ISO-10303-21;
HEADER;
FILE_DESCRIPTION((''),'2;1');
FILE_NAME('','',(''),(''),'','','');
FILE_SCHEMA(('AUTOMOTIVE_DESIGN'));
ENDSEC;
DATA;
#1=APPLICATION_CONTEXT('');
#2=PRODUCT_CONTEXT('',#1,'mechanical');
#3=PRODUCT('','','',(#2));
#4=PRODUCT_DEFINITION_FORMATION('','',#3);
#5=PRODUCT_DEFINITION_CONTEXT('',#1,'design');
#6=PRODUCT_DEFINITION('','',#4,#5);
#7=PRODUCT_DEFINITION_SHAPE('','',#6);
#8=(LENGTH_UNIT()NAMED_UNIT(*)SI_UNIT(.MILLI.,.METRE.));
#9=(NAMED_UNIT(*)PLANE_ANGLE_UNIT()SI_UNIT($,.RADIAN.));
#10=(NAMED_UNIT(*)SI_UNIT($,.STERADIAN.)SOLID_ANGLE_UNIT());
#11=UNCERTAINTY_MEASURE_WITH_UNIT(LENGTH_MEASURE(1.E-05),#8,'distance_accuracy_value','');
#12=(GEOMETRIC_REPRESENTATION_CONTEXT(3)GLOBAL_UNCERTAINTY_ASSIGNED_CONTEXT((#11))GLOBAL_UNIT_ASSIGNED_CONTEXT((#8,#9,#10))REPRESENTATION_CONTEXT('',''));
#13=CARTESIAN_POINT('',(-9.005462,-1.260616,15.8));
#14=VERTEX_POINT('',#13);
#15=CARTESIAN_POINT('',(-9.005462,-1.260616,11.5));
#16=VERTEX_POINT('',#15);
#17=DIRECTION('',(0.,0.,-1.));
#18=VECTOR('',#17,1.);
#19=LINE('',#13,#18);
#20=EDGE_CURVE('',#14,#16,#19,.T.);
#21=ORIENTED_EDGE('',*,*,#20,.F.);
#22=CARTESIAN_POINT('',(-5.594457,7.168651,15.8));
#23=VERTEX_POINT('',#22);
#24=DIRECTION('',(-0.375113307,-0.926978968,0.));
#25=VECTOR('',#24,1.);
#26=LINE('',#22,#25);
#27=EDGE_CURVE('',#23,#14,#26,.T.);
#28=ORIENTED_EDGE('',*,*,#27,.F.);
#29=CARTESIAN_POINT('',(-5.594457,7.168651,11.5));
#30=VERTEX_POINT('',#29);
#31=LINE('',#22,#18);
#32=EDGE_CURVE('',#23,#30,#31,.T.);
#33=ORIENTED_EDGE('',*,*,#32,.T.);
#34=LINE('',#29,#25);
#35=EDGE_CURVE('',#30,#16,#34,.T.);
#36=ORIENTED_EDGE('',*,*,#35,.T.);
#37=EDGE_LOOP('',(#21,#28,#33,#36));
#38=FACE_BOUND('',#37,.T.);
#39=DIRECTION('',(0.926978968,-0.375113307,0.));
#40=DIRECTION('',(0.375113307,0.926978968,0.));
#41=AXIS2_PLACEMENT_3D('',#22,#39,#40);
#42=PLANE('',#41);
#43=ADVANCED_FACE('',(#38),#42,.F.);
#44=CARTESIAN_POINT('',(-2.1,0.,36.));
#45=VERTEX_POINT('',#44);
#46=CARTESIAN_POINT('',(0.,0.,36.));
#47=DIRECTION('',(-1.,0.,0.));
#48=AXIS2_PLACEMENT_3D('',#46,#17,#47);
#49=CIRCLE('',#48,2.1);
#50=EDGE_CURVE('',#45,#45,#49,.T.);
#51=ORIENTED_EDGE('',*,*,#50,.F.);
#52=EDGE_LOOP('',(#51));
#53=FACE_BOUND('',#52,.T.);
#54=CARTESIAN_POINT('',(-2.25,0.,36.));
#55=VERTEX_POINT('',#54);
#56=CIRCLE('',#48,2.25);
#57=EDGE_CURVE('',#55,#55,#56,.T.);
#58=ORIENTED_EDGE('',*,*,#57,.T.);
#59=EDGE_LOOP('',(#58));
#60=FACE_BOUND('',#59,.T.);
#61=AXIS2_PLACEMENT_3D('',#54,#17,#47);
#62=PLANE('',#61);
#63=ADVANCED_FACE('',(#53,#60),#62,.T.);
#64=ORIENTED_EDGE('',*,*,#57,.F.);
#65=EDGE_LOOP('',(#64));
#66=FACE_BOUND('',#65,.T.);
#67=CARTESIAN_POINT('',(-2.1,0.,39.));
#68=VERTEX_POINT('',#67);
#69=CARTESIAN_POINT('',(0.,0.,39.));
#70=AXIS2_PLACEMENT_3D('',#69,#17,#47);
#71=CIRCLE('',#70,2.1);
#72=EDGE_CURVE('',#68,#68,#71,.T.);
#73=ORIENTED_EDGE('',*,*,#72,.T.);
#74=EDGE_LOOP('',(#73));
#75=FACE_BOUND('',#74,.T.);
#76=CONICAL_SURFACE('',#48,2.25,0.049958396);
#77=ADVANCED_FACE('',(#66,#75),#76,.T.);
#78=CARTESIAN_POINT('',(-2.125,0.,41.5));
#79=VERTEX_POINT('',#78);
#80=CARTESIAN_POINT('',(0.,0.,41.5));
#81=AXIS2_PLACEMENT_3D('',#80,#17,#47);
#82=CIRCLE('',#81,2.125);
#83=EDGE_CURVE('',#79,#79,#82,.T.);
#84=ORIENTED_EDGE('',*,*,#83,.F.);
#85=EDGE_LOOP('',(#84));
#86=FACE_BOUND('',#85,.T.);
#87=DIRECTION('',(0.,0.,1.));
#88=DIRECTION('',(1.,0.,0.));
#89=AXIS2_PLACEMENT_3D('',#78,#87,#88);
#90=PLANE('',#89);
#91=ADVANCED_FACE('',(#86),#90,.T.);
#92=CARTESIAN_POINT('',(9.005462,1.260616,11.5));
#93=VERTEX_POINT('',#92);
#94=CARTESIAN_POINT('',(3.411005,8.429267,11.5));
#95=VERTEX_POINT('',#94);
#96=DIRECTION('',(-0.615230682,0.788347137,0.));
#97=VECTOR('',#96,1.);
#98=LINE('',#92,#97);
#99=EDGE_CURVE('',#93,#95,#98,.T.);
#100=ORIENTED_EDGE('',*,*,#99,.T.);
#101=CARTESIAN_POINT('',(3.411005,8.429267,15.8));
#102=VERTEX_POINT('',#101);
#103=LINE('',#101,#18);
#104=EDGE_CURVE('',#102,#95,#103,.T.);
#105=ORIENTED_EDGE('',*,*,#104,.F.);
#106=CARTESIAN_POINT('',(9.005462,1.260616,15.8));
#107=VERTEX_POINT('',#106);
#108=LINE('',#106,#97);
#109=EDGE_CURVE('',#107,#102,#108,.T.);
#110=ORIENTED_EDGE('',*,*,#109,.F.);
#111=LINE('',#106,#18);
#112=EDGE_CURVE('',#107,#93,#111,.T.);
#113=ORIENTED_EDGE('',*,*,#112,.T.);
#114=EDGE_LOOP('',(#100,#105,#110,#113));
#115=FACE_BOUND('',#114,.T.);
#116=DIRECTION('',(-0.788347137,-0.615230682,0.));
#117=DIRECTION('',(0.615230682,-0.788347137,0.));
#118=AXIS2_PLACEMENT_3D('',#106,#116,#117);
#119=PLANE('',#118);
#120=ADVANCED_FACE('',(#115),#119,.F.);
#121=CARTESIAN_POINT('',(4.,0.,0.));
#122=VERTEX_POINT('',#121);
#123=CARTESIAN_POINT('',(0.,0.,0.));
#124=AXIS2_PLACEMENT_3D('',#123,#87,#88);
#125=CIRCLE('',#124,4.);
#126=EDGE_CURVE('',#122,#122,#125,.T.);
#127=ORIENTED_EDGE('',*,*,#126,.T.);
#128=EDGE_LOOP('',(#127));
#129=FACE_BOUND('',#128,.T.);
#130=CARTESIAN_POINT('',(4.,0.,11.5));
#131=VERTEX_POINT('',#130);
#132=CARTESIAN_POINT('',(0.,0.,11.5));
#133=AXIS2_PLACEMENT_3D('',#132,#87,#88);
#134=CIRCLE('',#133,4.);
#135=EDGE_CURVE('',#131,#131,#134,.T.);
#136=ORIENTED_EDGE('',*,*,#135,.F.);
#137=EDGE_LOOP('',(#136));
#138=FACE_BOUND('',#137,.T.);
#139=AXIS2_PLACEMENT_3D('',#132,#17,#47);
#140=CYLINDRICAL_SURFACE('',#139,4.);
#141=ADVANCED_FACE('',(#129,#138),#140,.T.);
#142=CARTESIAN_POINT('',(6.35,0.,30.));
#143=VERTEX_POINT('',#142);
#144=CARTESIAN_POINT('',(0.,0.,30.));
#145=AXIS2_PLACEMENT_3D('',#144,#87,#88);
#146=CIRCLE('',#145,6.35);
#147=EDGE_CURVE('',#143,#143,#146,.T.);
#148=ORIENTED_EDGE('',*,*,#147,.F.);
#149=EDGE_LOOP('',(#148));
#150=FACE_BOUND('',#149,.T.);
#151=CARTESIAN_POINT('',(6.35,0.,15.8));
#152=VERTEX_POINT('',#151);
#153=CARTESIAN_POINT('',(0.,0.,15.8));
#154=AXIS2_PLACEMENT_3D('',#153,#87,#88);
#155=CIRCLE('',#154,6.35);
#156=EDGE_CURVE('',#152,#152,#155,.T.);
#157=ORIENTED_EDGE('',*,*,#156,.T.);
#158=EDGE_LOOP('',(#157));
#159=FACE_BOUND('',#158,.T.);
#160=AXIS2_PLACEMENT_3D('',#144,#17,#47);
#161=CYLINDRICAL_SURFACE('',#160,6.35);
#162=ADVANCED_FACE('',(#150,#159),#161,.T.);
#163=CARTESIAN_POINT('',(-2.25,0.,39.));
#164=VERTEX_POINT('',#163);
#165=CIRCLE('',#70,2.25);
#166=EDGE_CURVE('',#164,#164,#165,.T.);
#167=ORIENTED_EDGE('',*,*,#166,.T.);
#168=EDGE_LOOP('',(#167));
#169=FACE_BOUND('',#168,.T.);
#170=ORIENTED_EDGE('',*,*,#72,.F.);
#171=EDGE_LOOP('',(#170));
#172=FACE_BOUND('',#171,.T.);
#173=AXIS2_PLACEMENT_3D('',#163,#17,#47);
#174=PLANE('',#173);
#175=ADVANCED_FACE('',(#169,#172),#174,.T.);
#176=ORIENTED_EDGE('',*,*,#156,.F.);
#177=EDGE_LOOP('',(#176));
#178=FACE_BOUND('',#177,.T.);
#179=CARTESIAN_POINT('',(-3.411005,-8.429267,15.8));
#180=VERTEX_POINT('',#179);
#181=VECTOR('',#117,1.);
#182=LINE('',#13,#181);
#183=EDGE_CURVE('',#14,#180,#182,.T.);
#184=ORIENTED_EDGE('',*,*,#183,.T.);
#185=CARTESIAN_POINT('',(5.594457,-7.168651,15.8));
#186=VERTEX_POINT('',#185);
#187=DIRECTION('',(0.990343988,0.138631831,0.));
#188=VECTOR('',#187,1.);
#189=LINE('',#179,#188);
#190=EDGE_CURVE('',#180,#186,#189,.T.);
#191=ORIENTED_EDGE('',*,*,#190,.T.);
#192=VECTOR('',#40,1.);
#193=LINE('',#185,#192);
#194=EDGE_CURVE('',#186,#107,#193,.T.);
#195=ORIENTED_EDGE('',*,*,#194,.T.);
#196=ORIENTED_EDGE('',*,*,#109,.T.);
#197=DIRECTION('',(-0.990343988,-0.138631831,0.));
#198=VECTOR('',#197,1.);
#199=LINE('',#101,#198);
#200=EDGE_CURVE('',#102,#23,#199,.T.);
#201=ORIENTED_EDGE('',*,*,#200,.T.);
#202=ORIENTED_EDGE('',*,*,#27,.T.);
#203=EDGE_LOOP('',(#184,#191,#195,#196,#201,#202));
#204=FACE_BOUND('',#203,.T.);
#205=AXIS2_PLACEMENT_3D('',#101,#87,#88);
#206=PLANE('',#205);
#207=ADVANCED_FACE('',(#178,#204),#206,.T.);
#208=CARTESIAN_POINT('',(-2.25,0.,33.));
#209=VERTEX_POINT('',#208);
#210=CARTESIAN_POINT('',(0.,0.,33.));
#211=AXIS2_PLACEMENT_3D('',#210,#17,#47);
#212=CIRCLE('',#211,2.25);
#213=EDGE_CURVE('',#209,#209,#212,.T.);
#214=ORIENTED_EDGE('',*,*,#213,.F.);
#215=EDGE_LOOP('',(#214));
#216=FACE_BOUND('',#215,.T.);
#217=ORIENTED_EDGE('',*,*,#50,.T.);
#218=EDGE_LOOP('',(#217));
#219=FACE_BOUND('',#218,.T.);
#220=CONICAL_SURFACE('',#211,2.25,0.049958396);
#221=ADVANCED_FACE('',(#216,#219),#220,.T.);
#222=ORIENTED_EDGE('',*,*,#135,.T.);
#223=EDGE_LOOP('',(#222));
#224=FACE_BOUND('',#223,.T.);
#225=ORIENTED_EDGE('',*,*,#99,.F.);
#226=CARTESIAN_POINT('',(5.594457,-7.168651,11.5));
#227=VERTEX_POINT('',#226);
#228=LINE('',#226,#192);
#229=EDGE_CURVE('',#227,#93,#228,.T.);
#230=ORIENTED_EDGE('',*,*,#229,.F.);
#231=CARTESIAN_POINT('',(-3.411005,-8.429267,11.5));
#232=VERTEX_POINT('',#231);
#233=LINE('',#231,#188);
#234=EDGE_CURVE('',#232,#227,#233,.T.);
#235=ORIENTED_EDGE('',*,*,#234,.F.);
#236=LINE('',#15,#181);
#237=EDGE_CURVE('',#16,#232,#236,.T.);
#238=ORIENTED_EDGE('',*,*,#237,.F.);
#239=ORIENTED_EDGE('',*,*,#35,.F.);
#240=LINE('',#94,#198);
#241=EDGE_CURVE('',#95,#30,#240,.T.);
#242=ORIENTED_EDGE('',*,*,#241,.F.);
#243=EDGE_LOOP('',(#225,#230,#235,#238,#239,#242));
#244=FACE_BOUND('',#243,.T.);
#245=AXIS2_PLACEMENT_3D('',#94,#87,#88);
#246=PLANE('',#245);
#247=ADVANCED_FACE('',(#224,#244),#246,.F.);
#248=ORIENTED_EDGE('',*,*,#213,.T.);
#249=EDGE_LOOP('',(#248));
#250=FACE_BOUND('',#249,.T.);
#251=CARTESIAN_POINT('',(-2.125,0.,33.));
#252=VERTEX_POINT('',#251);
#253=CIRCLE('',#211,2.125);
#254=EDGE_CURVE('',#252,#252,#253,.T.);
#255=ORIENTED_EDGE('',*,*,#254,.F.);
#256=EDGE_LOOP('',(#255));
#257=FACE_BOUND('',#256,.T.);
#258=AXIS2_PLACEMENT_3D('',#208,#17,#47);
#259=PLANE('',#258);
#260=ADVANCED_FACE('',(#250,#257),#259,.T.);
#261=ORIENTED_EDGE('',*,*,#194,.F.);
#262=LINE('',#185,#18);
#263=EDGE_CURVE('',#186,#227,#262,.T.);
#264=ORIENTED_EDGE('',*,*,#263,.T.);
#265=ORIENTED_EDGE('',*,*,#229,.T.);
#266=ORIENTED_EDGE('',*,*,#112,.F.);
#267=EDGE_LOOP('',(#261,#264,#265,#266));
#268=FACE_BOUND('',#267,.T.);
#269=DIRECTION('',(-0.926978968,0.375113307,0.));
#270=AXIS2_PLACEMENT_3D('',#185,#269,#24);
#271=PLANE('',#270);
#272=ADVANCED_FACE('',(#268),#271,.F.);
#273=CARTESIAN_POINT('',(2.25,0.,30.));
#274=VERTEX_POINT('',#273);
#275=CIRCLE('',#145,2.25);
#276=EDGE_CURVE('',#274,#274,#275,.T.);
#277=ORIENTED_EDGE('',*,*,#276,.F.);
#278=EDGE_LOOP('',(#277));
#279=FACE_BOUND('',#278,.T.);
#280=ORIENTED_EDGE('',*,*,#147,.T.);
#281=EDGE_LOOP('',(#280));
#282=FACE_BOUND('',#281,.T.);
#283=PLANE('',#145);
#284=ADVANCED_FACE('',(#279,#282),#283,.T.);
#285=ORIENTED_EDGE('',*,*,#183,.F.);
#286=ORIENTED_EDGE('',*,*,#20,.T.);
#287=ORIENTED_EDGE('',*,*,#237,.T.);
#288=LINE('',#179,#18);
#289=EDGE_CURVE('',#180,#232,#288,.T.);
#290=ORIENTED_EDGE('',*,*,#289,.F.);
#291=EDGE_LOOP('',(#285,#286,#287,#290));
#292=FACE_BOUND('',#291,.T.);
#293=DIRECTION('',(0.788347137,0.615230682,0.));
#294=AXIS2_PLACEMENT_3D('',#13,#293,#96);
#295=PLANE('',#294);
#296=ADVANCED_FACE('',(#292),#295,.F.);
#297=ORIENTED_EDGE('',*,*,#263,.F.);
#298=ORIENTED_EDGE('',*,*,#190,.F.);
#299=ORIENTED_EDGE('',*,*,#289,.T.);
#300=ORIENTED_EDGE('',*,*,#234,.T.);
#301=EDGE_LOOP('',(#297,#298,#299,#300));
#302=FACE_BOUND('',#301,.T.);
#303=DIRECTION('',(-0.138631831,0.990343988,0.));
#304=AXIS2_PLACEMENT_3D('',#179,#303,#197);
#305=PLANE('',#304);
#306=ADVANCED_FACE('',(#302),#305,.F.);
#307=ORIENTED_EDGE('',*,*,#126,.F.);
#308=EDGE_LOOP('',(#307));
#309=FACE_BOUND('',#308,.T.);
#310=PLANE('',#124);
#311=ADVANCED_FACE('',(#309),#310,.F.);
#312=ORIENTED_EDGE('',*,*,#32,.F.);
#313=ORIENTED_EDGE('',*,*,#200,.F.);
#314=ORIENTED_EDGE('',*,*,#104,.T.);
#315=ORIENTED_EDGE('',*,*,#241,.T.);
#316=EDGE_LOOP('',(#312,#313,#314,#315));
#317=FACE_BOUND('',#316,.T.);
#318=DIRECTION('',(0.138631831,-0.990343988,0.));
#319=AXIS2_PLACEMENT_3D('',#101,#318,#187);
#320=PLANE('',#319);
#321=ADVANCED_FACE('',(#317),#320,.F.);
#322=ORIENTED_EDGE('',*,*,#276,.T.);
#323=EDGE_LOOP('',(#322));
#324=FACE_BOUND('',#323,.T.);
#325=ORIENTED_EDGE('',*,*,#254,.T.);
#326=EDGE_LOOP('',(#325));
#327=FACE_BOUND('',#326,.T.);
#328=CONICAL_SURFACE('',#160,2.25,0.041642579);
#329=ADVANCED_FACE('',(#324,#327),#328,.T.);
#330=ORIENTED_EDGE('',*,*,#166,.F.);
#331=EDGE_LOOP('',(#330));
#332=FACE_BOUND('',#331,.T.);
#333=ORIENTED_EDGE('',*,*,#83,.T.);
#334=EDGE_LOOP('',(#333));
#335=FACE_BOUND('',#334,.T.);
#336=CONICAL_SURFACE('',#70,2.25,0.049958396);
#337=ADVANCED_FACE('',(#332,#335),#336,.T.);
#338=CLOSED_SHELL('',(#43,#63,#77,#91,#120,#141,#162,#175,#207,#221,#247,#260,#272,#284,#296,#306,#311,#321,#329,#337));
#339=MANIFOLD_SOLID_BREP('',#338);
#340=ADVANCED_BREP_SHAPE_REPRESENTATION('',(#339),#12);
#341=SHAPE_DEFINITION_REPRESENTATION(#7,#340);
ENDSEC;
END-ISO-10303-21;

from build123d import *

# Parameters (mm, degrees)
ESQUISSE1_R      = 4
EXTRUSION1_DEPTH = 11.5
EXTRUSION2_DEPTH = 4.3
ESQUISSE3_R      = 6.35
EXTRUSION3_DEPTH = 14.2


with BuildPart() as part:
    # Esquisse1 → Extrusion1 (new body)
    with BuildSketch(Plane.XY):
        Circle(ESQUISSE1_R)
    extrude(amount=EXTRUSION1_DEPTH)

    # Esquisse2 → Extrusion2 (add)
    with BuildSketch(Plane.XY.offset(11.5)):
        Polygon((3.411005357, 8.429267018), (-5.594456694, 7.168650801), (-9.005462051, -1.260616217), (-3.411005357, -8.429267018), (5.594456694, -7.168650801), (9.005462051, 1.260616217), align=None)
    extrude(amount=EXTRUSION2_DEPTH)

    # Esquisse3 → Extrusion3 (add)
    with BuildSketch(Plane.XY.offset(15.8)):
        Circle(ESQUISSE3_R)
    extrude(amount=EXTRUSION3_DEPTH)

    # Esquisse4 → Révolution4 (revolve)
    with BuildSketch(Plane(origin=(0, 0, 0), x_dir=(1, 0, 0), z_dir=(0, 1, 0))):
        Polygon((0, -30), (0, -41.5), (-2.125, -41.5), (-2.25, -39), (-2.1, -39), (-2.25, -36), (-2.1, -36), (-2.25, -33), (-2.125, -33), (-2.25, -30), align=None)
    revolve(axis=Axis((0, 0, 18.076774383), (0, 0, 1)))


solid = part.part
